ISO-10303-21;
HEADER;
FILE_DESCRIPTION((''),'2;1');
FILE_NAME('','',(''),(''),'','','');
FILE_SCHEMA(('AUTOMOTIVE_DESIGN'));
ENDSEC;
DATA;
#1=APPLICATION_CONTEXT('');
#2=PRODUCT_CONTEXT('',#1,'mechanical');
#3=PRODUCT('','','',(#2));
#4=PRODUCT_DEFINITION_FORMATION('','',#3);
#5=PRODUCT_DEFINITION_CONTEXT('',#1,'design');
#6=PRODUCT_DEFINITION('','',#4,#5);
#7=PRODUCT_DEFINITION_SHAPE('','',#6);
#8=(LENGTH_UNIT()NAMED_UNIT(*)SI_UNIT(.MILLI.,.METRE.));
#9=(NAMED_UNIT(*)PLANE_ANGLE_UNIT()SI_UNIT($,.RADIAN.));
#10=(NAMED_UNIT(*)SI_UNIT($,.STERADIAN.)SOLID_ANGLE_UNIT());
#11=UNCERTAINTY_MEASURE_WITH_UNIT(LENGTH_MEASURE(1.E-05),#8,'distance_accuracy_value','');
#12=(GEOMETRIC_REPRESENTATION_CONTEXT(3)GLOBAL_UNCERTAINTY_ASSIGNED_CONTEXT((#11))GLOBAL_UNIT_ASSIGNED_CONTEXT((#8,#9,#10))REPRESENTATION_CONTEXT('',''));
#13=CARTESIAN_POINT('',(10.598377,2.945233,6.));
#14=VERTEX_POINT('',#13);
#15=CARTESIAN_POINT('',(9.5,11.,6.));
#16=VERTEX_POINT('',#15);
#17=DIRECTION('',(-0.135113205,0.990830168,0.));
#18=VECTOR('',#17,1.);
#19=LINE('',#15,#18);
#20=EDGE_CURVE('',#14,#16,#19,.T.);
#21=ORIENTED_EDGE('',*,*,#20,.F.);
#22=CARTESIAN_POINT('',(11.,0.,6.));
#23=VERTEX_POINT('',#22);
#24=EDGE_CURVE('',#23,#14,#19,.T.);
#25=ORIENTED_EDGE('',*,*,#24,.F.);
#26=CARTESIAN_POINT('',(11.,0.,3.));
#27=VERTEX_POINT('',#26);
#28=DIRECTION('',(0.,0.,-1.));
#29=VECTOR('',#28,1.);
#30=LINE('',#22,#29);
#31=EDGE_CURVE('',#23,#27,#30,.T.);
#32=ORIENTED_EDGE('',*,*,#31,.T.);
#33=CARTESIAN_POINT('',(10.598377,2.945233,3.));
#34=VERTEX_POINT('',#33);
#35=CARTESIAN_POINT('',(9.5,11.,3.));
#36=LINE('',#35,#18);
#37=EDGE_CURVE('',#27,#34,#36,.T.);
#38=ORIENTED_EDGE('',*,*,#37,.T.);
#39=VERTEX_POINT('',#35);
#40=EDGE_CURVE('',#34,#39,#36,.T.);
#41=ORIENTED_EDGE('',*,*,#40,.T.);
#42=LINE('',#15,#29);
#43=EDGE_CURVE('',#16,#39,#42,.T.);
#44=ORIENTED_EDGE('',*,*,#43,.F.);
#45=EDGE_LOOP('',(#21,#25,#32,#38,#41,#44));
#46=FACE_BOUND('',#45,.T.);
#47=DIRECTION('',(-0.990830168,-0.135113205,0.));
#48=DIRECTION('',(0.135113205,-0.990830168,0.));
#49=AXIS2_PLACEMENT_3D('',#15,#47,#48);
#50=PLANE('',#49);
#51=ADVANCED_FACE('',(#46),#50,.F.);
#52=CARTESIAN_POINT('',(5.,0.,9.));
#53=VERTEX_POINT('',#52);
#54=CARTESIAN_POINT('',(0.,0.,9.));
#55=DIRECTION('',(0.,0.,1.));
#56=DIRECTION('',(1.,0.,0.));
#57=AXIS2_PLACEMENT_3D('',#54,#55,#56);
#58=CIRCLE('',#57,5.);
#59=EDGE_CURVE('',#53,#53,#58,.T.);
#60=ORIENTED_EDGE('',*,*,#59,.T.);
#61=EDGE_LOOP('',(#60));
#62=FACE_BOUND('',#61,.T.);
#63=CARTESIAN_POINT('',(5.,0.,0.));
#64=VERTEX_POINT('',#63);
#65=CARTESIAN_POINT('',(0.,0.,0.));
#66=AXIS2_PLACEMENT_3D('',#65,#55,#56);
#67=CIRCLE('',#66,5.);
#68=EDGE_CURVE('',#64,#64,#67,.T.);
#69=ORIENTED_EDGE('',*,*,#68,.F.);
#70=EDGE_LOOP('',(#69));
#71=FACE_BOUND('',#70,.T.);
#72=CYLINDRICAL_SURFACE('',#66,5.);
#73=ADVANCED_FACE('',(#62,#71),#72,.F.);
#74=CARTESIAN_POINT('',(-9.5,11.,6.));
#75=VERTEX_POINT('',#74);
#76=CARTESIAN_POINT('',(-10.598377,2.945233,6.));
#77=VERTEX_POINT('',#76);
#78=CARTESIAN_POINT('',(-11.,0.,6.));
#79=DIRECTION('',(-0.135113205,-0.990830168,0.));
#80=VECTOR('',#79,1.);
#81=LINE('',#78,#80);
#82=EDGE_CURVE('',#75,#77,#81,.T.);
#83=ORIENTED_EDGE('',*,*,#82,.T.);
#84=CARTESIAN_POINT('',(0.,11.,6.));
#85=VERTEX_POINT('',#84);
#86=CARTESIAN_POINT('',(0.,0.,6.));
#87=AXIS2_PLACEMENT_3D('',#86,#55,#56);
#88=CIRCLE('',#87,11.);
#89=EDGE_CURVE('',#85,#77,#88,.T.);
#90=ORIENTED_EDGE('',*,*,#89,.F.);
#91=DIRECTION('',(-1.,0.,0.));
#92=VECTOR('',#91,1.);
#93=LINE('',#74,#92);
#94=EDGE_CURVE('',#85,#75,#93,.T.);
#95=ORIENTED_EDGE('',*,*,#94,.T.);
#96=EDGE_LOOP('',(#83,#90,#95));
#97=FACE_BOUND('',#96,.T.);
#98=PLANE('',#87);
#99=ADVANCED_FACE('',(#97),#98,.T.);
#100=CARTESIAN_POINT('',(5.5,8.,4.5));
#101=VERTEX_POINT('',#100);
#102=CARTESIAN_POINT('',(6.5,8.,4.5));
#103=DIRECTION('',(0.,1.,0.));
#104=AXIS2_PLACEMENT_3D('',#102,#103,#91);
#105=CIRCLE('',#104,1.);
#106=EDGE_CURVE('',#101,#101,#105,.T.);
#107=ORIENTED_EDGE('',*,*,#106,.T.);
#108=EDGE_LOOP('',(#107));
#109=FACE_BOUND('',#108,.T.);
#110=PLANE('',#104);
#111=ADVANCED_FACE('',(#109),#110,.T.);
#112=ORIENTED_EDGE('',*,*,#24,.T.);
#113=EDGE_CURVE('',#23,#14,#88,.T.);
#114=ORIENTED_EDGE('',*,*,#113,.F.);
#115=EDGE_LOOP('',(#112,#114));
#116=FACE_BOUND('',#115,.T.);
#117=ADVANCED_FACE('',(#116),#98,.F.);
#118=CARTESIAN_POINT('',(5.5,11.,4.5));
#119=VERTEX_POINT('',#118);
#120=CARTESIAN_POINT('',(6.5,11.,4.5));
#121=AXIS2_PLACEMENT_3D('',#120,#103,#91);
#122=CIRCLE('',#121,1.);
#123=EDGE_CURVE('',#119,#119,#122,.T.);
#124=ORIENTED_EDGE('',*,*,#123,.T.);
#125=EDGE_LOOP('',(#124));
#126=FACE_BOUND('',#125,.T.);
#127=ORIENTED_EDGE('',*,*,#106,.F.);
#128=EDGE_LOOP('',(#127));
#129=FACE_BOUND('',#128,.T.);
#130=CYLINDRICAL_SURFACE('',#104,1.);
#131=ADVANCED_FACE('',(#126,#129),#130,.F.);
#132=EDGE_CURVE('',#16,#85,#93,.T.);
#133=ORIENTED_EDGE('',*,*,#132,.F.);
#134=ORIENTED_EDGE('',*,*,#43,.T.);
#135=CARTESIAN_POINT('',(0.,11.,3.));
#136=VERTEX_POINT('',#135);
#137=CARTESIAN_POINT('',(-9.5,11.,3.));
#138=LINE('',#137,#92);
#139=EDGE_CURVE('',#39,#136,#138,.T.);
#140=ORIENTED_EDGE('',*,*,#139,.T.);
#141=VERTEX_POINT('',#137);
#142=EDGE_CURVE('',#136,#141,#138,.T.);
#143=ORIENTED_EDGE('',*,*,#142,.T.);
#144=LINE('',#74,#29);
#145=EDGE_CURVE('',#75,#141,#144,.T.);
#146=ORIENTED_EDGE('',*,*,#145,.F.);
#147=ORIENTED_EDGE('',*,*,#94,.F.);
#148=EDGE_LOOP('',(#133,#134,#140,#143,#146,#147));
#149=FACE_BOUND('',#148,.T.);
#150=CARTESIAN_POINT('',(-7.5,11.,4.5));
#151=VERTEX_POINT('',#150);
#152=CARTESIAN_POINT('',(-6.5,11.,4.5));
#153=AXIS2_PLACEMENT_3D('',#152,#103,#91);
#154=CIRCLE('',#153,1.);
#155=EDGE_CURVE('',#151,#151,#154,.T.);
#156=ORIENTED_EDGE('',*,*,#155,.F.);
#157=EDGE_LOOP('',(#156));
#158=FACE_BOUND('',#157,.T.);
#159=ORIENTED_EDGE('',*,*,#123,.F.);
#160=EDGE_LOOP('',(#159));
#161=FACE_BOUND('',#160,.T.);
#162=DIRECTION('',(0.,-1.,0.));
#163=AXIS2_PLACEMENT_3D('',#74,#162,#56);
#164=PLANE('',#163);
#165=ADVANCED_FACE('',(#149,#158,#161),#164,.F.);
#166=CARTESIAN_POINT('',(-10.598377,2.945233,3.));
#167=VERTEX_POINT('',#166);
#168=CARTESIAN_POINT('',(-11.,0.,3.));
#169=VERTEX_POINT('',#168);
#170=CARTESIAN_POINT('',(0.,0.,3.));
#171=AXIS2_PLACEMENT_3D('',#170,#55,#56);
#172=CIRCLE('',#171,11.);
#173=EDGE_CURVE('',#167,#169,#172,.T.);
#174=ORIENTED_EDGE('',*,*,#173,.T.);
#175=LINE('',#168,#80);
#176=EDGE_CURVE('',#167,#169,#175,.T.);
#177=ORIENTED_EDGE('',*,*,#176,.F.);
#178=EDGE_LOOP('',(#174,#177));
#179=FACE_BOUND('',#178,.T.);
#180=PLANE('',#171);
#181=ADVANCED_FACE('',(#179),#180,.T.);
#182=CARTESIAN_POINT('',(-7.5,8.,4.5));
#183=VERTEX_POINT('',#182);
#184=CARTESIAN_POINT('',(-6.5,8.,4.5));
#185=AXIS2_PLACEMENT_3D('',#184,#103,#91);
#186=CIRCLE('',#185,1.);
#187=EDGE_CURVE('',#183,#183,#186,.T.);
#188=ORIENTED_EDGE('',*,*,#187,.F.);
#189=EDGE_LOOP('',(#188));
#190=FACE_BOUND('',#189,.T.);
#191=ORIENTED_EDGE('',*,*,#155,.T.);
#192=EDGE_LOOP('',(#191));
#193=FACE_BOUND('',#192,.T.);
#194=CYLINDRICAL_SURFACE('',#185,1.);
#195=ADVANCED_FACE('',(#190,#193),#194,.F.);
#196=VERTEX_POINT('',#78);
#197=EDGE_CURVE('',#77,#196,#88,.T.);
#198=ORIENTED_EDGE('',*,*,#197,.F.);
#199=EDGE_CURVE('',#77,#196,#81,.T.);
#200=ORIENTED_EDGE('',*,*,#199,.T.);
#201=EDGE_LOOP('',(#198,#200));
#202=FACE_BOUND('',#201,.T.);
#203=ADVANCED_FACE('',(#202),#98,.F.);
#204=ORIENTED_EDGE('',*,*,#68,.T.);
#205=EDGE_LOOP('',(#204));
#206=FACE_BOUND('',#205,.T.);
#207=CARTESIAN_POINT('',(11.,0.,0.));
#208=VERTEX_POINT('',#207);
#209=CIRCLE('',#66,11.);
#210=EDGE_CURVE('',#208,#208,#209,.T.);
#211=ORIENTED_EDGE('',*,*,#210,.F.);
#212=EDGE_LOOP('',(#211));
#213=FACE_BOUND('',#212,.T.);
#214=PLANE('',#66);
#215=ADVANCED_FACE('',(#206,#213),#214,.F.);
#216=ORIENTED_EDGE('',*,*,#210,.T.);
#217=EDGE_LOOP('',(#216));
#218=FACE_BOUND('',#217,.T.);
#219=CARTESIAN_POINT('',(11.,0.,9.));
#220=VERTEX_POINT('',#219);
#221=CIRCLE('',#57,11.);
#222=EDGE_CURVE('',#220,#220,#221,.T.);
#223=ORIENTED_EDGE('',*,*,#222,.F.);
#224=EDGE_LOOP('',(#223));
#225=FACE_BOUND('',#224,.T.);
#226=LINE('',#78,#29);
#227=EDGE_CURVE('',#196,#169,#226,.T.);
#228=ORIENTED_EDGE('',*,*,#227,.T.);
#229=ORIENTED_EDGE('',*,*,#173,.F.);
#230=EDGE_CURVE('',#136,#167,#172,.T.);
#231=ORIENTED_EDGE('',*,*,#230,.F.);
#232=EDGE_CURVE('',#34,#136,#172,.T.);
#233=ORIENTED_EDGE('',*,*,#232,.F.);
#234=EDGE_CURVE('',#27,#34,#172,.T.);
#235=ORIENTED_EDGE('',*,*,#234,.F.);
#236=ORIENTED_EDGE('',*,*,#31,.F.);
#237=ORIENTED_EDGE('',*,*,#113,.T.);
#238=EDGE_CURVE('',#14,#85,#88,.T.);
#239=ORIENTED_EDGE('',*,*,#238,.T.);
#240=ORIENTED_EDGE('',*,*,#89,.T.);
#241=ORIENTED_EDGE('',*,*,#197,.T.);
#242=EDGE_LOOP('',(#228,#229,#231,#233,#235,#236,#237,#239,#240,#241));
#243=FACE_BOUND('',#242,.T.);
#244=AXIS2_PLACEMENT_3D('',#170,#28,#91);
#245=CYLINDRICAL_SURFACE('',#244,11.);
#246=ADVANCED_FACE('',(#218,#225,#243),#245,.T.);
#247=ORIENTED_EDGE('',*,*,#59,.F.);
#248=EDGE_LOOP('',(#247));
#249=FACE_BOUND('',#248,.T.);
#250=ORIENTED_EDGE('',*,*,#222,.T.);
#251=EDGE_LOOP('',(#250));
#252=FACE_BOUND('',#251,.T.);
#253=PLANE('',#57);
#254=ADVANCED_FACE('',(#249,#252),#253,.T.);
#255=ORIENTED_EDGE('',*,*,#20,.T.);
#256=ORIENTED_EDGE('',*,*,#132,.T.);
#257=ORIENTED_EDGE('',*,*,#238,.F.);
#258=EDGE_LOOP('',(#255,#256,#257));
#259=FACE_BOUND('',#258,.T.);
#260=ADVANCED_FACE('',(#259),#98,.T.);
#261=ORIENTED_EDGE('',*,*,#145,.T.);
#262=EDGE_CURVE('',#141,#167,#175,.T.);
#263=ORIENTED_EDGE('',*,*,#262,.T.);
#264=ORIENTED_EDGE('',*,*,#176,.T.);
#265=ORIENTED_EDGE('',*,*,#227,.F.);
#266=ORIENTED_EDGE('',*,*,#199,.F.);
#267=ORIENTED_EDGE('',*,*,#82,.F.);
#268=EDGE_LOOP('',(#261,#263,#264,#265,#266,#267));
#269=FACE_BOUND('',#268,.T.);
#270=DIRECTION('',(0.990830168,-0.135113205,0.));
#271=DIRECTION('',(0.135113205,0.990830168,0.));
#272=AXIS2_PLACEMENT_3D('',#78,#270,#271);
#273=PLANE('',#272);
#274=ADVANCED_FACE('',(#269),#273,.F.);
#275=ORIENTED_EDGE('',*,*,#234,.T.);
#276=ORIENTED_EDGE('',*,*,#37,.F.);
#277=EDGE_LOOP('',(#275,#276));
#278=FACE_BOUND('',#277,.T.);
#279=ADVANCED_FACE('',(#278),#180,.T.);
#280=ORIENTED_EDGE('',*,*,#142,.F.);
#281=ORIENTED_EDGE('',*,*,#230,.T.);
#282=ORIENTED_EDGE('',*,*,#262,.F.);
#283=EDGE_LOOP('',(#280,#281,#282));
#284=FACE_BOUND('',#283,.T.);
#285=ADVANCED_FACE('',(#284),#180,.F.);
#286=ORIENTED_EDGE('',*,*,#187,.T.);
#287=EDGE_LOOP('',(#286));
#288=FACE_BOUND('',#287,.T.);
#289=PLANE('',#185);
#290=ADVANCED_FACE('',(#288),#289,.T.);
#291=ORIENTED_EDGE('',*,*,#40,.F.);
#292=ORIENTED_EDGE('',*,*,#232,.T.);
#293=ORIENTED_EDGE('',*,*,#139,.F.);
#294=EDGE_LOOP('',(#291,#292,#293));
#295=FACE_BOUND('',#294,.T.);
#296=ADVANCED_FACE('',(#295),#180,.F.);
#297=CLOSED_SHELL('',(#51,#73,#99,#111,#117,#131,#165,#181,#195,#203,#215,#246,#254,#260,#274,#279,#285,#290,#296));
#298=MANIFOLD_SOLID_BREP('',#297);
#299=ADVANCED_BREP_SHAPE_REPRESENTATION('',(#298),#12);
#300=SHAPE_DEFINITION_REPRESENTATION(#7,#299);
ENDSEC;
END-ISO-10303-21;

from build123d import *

# Parameters (mm, degrees)
SKETCH1_R           = 11
BOSS_EXTRUDE1_DEPTH = 3
BOSS_EXTRUDE2_DEPTH = 3
SKETCH3_R           = 11
BOSS_EXTRUDE3_DEPTH = 3
SKETCH4_R           = 5
CUT_EXTRUDE1_DEPTH  = 10
SKETCH5_R           = 1
CUT_EXTRUDE2_DEPTH  = 3


with BuildPart() as part:
    # Sketch1 → Boss-Extrude1 (new body)
    with BuildSketch(Plane.XY):
        Circle(SKETCH1_R)
    extrude(amount=BOSS_EXTRUDE1_DEPTH)

    # Sketch2 → Boss-Extrude2 (add)
    with BuildSketch(Plane.XY.offset(3)):
        with BuildLine():
            Line((-11, 0), (-9.5, 11))
            Line((-9.5, 11), (9.5, 11))
            Line((9.5, 11), (11, 0))
            ThreePointArc((11, 0), (0, -11), (-11, 0))
        make_face()
    extrude(amount=BOSS_EXTRUDE2_DEPTH)

    # Sketch3 → Boss-Extrude3 (add)
    with BuildSketch(Plane.XY.offset(6)):
        Circle(SKETCH3_R)
    extrude(amount=BOSS_EXTRUDE3_DEPTH)

    # Sketch4 → Cut-Extrude1 (cut, through all)
    with BuildSketch(Plane.XY.offset(9)):
        Circle(SKETCH4_R)
    extrude(amount=-CUT_EXTRUDE1_DEPTH, mode=Mode.SUBTRACT)

    # Sketch5 → Cut-Extrude2 (cut)
    with BuildSketch(Plane(origin=(0, 11, 0), x_dir=(1, 0, 0), z_dir=(0, 1, 0))):
        with Locations((-6.5, -4.5)):
            Circle(SKETCH5_R)
        with Locations((6.5, -4.5)):
            Circle(SKETCH5_R)
    extrude(amount=-CUT_EXTRUDE2_DEPTH, mode=Mode.SUBTRACT)


solid = part.part
